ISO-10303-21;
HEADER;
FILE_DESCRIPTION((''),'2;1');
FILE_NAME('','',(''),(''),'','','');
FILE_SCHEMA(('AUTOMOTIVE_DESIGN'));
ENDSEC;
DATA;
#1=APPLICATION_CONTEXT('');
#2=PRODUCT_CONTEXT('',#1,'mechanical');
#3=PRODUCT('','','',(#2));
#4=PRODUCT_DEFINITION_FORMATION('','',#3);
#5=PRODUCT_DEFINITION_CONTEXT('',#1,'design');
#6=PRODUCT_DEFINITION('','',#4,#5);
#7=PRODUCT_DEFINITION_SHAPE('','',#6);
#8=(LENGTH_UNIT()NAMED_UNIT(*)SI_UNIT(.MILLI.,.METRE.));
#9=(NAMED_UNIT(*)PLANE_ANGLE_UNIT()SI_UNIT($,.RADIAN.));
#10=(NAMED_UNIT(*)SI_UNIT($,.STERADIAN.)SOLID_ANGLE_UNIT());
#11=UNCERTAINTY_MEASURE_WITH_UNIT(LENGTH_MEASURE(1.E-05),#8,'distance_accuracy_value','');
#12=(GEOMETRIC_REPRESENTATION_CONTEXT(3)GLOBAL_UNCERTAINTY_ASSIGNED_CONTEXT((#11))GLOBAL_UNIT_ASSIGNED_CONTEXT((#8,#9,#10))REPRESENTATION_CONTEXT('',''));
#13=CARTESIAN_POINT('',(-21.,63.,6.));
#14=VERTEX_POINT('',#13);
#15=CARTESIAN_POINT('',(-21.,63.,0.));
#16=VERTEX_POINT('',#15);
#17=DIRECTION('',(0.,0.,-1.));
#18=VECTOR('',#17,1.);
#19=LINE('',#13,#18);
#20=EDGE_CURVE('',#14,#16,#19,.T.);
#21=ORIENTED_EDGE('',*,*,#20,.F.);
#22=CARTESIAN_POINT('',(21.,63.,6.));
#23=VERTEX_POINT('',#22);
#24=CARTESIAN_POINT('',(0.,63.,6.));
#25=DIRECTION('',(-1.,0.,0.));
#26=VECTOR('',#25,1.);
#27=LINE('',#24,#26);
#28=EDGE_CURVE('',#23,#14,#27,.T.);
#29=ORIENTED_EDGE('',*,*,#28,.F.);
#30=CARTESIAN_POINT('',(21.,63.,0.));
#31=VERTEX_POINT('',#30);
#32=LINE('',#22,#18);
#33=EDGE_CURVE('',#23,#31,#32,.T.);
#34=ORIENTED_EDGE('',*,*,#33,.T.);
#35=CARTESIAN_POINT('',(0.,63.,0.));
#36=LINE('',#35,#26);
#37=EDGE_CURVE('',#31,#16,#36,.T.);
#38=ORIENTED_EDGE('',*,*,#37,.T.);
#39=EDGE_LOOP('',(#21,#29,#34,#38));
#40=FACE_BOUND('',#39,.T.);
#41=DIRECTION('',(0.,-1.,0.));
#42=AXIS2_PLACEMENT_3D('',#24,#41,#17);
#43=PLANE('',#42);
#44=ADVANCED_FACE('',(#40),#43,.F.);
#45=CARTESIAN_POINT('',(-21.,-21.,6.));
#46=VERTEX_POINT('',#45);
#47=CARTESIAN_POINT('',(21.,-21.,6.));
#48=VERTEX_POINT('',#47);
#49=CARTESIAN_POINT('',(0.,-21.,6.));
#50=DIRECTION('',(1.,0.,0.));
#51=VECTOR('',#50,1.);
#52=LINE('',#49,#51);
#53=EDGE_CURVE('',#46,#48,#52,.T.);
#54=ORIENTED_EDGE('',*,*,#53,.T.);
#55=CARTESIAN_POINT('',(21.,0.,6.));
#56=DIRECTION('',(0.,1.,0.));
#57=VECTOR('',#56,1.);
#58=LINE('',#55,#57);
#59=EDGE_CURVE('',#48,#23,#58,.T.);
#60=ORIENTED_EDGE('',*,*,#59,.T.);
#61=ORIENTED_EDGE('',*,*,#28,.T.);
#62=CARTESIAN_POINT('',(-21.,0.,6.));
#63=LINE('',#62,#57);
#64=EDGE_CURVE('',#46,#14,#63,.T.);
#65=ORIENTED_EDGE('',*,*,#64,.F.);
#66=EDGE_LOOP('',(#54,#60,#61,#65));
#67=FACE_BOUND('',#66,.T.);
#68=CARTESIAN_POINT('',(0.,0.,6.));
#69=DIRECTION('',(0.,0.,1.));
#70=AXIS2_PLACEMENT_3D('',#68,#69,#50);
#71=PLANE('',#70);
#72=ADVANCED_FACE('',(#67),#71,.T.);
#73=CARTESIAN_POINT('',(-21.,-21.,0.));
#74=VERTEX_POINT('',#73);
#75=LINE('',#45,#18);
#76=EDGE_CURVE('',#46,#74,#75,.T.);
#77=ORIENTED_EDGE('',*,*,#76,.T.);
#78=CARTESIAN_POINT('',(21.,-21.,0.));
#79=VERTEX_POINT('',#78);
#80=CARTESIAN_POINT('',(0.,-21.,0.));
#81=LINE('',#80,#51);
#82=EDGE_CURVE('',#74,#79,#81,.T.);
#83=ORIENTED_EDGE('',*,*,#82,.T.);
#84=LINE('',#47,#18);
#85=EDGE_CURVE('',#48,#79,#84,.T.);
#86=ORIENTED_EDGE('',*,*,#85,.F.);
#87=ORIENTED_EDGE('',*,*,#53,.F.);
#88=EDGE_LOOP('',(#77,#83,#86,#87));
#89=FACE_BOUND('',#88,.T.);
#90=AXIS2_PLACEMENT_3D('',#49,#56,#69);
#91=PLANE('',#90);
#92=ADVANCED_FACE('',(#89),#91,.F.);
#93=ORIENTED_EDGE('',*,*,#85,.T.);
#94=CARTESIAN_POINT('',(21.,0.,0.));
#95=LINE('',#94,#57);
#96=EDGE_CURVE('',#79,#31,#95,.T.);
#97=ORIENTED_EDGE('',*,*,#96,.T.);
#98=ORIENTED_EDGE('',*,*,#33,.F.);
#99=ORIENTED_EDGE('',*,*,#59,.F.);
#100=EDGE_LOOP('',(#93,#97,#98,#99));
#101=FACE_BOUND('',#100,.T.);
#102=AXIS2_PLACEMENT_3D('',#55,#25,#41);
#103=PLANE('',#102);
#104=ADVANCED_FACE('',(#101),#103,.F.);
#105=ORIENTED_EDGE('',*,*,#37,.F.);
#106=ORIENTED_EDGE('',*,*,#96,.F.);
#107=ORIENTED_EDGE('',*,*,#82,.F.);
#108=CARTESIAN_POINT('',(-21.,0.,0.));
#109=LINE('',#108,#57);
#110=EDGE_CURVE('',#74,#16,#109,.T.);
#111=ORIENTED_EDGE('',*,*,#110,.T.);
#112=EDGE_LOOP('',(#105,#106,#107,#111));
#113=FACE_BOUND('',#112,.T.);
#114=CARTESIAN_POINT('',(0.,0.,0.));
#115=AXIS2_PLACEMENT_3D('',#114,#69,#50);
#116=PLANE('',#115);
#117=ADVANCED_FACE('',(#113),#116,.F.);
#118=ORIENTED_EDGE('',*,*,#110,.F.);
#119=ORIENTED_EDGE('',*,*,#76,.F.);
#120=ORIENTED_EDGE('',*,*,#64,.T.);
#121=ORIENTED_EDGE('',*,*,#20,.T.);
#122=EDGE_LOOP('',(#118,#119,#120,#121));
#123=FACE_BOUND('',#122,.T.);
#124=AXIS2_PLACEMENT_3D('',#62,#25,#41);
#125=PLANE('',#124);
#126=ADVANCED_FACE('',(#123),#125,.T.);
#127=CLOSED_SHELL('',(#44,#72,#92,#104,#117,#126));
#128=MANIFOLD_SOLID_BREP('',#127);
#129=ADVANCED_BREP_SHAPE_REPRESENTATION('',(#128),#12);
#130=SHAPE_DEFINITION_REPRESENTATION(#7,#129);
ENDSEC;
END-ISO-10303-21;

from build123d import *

# Parameters (mm, degrees)
SKETCH_1_W      = 42
SKETCH_1_H      = 42
EXTRUDE_1_DEPTH = 6


with BuildPart() as part:
    # 草图1 → 凸台-拉伸1 (new body)
    with BuildSketch(Plane.XY):
        with Locations((0, 42)):
            Rectangle(SKETCH_1_W, SKETCH_1_H)
        Rectangle(SKETCH_1_W, SKETCH_1_H)
    extrude(amount=EXTRUDE_1_DEPTH)


solid = part.part
